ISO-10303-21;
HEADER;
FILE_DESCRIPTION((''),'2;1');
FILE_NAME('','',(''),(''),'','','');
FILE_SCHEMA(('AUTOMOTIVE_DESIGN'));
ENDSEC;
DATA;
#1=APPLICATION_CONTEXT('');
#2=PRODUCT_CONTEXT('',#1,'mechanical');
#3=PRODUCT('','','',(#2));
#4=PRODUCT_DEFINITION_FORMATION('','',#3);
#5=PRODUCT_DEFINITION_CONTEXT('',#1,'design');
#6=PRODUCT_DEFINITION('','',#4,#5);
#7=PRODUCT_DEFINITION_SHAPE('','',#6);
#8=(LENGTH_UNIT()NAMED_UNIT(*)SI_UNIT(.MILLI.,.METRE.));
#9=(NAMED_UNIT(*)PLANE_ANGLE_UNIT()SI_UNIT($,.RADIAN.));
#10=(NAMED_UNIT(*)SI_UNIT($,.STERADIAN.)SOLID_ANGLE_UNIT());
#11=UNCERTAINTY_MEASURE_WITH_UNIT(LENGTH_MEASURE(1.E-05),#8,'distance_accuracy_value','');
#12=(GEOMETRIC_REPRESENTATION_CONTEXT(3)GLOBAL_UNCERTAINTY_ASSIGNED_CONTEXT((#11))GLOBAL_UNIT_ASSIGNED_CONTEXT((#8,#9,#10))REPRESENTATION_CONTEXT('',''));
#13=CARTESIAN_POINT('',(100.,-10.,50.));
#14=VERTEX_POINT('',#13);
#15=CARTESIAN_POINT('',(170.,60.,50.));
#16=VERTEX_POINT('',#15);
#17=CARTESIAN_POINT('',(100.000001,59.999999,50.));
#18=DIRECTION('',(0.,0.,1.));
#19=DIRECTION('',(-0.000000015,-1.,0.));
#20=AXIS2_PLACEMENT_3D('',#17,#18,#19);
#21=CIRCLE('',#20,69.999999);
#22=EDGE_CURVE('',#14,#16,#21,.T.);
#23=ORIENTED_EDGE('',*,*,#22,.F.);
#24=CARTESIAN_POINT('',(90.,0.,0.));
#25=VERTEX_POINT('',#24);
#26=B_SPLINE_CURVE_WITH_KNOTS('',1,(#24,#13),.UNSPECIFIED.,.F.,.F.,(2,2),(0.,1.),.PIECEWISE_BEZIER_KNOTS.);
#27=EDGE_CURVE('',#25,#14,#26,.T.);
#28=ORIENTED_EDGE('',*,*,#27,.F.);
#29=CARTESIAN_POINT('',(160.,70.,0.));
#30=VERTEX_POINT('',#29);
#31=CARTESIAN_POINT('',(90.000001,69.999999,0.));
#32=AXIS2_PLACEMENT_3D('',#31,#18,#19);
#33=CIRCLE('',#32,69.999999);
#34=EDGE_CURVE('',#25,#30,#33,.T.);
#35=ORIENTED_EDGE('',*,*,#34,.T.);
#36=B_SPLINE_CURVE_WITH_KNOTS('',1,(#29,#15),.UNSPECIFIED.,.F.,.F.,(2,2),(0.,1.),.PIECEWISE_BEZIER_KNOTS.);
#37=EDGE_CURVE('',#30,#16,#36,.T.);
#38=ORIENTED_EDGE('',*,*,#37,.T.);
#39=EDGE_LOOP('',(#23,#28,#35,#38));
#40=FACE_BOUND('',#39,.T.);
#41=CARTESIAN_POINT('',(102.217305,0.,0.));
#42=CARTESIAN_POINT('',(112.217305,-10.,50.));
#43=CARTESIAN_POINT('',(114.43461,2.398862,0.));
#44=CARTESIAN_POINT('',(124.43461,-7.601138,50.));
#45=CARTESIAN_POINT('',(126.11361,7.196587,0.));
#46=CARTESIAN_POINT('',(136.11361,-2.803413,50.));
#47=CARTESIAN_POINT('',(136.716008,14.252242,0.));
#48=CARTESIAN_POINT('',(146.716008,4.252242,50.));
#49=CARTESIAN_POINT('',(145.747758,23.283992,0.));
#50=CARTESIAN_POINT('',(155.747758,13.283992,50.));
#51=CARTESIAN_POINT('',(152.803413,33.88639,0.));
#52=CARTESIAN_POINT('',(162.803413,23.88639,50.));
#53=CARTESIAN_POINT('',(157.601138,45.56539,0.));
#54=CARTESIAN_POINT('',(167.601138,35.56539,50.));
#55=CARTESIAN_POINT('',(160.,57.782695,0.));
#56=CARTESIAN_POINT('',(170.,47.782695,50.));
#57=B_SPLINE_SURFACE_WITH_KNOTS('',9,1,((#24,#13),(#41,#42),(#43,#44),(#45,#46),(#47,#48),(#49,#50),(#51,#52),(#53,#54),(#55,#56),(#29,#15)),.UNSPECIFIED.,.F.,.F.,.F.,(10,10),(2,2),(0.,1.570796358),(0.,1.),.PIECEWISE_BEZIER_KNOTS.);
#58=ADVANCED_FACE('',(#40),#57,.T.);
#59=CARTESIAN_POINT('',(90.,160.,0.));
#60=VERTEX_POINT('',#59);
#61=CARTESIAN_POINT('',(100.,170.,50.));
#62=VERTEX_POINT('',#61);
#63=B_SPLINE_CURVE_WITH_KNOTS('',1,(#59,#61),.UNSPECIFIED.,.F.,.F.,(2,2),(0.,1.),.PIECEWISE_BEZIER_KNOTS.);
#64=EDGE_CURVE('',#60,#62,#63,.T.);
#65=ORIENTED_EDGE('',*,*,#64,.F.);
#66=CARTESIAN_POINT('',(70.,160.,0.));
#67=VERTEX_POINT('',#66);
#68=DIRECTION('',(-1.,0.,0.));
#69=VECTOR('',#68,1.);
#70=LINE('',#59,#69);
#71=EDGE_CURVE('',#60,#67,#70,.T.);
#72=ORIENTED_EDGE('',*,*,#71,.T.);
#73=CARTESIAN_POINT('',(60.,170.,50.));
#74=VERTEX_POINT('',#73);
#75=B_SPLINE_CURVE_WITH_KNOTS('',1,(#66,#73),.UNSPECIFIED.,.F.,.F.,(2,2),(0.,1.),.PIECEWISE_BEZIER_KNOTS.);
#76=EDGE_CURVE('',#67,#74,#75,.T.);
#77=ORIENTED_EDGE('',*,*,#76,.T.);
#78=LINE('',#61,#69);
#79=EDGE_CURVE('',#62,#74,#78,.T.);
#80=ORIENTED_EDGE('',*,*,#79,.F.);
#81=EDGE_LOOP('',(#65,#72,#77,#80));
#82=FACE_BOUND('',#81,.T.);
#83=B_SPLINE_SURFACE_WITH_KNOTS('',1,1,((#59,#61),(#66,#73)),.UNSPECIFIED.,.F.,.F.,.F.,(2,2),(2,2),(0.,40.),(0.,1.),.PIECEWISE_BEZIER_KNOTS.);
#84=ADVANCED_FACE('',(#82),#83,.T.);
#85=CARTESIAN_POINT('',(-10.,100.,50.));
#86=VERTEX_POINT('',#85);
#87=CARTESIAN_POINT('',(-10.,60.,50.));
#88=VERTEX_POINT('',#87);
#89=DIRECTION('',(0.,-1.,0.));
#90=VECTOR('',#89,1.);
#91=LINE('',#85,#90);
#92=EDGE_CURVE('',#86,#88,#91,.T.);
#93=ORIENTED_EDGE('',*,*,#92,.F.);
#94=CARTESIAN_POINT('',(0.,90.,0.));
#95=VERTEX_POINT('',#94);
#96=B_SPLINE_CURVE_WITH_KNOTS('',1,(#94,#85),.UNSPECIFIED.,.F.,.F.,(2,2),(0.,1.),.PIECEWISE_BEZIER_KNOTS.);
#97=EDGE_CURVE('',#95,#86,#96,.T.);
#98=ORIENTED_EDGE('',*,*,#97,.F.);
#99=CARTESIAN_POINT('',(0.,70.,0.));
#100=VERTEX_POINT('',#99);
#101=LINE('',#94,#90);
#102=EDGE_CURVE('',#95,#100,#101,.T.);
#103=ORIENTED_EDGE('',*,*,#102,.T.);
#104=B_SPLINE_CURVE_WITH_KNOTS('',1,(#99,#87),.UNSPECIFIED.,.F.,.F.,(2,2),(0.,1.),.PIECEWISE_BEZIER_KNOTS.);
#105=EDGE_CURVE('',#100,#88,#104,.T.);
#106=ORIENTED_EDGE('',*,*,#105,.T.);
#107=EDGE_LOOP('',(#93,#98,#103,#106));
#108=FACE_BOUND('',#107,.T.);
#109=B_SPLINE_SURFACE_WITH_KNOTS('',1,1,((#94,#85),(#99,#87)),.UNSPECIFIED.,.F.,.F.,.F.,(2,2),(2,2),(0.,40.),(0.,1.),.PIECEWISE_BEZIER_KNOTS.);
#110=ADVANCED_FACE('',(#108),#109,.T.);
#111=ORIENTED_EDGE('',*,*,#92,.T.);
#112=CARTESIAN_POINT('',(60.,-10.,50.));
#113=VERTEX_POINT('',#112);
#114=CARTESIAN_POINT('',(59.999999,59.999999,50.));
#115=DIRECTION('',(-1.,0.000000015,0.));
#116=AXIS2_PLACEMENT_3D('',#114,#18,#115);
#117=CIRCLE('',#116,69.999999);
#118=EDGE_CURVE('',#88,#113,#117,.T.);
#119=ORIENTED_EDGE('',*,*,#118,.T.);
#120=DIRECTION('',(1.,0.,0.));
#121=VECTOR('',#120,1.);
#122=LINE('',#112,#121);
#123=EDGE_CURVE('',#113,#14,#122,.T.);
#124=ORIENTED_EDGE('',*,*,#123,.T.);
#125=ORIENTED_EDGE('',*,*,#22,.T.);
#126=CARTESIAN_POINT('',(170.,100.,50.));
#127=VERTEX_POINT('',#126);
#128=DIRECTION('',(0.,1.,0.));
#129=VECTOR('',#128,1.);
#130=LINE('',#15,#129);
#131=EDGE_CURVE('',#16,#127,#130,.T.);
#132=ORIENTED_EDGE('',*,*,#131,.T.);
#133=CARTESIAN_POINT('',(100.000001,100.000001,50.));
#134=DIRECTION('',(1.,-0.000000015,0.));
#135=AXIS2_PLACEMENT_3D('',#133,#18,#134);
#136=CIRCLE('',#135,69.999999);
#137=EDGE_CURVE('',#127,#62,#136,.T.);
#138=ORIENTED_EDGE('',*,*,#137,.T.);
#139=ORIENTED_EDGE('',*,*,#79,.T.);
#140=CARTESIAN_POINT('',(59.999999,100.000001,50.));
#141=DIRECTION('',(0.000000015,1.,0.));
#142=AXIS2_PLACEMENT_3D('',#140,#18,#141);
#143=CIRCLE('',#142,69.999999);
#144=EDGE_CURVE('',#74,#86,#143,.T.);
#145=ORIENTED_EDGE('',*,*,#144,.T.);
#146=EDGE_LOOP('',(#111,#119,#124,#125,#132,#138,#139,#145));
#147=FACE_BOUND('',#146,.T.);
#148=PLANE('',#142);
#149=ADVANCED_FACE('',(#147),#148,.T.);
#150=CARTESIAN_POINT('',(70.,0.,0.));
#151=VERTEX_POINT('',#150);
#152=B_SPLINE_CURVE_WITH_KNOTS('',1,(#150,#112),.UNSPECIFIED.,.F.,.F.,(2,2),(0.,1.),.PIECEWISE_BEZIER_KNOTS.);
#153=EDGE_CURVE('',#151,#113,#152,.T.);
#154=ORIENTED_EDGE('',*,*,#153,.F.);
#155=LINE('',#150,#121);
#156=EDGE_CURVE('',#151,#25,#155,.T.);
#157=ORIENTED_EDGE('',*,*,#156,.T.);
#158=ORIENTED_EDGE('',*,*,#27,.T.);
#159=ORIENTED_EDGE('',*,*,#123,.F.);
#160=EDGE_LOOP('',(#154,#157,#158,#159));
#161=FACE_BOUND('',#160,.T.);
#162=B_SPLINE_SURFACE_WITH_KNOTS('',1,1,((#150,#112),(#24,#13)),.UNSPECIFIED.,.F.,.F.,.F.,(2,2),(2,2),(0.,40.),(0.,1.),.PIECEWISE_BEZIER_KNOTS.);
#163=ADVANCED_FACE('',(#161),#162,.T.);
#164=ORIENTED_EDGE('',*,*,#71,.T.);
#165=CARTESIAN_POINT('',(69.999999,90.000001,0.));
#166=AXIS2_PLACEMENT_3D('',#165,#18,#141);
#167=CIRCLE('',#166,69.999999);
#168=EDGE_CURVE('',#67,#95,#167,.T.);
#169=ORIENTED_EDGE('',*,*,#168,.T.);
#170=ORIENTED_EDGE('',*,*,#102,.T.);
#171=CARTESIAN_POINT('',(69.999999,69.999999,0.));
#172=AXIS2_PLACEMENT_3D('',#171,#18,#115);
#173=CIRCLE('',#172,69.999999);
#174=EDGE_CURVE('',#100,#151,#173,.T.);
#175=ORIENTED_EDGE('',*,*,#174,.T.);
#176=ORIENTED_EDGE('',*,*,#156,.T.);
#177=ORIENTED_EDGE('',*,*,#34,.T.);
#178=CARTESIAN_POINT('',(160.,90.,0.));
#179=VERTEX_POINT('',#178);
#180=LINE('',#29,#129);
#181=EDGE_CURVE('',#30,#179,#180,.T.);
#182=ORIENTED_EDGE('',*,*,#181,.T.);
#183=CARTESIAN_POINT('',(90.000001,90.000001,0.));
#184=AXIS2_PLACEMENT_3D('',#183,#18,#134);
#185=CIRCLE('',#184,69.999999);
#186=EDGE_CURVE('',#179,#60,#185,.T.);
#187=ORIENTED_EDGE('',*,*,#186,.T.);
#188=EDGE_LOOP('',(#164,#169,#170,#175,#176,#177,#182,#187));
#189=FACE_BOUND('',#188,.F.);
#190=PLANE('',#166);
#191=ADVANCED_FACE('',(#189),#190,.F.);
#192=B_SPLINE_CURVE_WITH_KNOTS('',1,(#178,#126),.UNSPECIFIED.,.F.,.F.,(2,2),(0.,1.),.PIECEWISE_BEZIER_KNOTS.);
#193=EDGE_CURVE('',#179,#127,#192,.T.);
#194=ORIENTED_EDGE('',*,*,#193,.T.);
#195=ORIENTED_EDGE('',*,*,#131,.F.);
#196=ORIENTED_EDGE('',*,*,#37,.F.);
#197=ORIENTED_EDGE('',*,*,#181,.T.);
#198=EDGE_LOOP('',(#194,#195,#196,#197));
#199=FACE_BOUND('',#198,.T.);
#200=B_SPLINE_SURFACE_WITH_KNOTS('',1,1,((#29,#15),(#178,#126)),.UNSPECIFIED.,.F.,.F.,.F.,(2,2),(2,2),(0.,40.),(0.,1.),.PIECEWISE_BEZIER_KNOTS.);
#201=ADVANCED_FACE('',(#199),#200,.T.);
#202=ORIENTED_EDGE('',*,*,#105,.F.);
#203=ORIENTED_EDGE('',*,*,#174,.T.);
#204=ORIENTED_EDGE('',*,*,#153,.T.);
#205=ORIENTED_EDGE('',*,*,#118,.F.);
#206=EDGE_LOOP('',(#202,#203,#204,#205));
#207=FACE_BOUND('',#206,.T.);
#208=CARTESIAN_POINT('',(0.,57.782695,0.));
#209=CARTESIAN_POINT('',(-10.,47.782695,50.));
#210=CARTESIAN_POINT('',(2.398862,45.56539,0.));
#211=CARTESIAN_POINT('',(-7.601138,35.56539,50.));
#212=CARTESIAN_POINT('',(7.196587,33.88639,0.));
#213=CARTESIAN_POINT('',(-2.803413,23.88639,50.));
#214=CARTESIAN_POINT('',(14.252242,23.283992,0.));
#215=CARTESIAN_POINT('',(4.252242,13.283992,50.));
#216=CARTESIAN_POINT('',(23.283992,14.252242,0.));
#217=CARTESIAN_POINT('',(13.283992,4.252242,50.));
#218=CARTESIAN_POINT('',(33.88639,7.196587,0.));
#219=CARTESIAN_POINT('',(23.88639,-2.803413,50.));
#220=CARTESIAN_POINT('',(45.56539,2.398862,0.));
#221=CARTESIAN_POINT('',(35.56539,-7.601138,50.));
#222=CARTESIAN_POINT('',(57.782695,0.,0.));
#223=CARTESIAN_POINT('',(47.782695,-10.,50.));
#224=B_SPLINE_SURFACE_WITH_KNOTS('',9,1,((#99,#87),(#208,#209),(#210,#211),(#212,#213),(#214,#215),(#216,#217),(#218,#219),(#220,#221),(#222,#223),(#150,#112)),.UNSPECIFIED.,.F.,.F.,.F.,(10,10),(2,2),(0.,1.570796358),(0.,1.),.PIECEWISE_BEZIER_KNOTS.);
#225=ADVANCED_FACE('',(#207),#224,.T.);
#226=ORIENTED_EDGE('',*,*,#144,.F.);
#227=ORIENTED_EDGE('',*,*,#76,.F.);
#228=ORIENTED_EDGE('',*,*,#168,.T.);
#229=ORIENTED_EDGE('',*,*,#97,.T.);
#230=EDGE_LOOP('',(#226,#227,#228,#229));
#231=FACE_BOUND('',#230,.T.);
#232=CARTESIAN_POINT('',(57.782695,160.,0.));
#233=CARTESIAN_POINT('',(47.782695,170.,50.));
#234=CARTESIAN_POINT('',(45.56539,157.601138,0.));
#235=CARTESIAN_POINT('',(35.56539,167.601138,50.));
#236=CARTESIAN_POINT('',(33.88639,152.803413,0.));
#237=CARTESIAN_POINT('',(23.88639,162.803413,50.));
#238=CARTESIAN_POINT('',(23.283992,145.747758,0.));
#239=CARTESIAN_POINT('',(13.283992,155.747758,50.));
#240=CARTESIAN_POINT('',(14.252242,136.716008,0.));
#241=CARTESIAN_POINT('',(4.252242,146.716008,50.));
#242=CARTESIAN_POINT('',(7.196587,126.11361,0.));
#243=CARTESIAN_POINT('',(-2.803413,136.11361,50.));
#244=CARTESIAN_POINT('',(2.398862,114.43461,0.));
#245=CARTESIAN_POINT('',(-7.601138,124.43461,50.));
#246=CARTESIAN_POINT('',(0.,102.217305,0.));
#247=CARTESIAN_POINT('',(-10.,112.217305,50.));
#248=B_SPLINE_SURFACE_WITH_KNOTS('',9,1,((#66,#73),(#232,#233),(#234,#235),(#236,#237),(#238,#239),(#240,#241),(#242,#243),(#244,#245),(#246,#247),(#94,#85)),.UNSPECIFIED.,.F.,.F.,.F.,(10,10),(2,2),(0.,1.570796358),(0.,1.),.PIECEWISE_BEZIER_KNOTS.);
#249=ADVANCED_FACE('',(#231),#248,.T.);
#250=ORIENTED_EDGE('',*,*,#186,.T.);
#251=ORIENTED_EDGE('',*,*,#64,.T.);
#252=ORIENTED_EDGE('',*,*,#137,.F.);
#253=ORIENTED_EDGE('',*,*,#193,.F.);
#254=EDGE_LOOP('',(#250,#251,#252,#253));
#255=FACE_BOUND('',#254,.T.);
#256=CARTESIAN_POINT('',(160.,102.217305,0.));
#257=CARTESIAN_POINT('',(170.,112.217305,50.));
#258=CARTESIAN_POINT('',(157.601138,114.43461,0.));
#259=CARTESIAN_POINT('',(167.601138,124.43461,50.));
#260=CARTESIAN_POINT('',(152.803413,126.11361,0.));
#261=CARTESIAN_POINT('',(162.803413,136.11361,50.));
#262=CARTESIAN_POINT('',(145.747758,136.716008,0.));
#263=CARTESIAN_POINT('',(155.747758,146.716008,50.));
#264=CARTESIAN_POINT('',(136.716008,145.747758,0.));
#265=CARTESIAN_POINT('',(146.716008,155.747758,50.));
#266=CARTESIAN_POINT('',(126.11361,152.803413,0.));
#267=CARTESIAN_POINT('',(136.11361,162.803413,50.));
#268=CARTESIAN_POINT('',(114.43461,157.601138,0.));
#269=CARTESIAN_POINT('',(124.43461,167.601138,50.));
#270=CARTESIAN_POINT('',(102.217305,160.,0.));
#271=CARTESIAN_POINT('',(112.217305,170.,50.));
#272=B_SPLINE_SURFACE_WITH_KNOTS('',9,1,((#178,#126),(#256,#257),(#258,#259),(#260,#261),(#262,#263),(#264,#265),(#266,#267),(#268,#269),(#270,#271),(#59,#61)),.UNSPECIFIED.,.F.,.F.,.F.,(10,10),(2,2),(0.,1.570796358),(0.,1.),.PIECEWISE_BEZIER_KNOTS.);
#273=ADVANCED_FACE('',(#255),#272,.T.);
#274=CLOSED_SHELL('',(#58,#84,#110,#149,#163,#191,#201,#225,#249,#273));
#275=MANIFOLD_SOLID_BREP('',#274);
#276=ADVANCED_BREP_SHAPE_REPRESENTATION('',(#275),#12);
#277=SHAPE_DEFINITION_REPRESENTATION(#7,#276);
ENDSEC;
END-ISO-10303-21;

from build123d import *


with BuildPart() as part:
    # Face → Loft section 0
    with BuildSketch(Plane(origin=(80, 80, 0), x_dir=(0, 1, 0), z_dir=(0, 0, 1))):
        with BuildLine():
            ThreePointArc((80, 10), (59.497475, 59.497475), (10, 80))
            Line((10, 80), (-10, 80))
            ThreePointArc((-10, 80), (-59.497475, 59.497475), (-80, 10))
            Line((-80, 10), (-80, -10))
            ThreePointArc((-80, -10), (-59.497475, -59.497475), (-10, -80))
            Line((-10, -80), (10, -80))
            ThreePointArc((10, -80), (59.497475, -59.497475), (80, -10))
            Line((80, -10), (80, 10))
        make_face()
    # Face001 → Loft section 1
    with BuildSketch(Plane(origin=(80, 80, 50), x_dir=(0, 1, 0), z_dir=(0, 0, 1))):
        with BuildLine():
            ThreePointArc((-20, 90), (-69.497475, 69.497475), (-90, 20))
            Line((-90, 20), (-90, -20))
            ThreePointArc((-90, -20), (-69.497475, -69.497475), (-20, -90))
            Line((-20, -90), (20, -90))
            ThreePointArc((20, -90), (69.497475, -69.497475), (90, -20))
            Line((90, -20), (90, 20))
            ThreePointArc((90, 20), (69.497475, 69.497475), (20, 90))
            Line((20, 90), (-20, 90))
        make_face()
    loft()


solid = part.part
